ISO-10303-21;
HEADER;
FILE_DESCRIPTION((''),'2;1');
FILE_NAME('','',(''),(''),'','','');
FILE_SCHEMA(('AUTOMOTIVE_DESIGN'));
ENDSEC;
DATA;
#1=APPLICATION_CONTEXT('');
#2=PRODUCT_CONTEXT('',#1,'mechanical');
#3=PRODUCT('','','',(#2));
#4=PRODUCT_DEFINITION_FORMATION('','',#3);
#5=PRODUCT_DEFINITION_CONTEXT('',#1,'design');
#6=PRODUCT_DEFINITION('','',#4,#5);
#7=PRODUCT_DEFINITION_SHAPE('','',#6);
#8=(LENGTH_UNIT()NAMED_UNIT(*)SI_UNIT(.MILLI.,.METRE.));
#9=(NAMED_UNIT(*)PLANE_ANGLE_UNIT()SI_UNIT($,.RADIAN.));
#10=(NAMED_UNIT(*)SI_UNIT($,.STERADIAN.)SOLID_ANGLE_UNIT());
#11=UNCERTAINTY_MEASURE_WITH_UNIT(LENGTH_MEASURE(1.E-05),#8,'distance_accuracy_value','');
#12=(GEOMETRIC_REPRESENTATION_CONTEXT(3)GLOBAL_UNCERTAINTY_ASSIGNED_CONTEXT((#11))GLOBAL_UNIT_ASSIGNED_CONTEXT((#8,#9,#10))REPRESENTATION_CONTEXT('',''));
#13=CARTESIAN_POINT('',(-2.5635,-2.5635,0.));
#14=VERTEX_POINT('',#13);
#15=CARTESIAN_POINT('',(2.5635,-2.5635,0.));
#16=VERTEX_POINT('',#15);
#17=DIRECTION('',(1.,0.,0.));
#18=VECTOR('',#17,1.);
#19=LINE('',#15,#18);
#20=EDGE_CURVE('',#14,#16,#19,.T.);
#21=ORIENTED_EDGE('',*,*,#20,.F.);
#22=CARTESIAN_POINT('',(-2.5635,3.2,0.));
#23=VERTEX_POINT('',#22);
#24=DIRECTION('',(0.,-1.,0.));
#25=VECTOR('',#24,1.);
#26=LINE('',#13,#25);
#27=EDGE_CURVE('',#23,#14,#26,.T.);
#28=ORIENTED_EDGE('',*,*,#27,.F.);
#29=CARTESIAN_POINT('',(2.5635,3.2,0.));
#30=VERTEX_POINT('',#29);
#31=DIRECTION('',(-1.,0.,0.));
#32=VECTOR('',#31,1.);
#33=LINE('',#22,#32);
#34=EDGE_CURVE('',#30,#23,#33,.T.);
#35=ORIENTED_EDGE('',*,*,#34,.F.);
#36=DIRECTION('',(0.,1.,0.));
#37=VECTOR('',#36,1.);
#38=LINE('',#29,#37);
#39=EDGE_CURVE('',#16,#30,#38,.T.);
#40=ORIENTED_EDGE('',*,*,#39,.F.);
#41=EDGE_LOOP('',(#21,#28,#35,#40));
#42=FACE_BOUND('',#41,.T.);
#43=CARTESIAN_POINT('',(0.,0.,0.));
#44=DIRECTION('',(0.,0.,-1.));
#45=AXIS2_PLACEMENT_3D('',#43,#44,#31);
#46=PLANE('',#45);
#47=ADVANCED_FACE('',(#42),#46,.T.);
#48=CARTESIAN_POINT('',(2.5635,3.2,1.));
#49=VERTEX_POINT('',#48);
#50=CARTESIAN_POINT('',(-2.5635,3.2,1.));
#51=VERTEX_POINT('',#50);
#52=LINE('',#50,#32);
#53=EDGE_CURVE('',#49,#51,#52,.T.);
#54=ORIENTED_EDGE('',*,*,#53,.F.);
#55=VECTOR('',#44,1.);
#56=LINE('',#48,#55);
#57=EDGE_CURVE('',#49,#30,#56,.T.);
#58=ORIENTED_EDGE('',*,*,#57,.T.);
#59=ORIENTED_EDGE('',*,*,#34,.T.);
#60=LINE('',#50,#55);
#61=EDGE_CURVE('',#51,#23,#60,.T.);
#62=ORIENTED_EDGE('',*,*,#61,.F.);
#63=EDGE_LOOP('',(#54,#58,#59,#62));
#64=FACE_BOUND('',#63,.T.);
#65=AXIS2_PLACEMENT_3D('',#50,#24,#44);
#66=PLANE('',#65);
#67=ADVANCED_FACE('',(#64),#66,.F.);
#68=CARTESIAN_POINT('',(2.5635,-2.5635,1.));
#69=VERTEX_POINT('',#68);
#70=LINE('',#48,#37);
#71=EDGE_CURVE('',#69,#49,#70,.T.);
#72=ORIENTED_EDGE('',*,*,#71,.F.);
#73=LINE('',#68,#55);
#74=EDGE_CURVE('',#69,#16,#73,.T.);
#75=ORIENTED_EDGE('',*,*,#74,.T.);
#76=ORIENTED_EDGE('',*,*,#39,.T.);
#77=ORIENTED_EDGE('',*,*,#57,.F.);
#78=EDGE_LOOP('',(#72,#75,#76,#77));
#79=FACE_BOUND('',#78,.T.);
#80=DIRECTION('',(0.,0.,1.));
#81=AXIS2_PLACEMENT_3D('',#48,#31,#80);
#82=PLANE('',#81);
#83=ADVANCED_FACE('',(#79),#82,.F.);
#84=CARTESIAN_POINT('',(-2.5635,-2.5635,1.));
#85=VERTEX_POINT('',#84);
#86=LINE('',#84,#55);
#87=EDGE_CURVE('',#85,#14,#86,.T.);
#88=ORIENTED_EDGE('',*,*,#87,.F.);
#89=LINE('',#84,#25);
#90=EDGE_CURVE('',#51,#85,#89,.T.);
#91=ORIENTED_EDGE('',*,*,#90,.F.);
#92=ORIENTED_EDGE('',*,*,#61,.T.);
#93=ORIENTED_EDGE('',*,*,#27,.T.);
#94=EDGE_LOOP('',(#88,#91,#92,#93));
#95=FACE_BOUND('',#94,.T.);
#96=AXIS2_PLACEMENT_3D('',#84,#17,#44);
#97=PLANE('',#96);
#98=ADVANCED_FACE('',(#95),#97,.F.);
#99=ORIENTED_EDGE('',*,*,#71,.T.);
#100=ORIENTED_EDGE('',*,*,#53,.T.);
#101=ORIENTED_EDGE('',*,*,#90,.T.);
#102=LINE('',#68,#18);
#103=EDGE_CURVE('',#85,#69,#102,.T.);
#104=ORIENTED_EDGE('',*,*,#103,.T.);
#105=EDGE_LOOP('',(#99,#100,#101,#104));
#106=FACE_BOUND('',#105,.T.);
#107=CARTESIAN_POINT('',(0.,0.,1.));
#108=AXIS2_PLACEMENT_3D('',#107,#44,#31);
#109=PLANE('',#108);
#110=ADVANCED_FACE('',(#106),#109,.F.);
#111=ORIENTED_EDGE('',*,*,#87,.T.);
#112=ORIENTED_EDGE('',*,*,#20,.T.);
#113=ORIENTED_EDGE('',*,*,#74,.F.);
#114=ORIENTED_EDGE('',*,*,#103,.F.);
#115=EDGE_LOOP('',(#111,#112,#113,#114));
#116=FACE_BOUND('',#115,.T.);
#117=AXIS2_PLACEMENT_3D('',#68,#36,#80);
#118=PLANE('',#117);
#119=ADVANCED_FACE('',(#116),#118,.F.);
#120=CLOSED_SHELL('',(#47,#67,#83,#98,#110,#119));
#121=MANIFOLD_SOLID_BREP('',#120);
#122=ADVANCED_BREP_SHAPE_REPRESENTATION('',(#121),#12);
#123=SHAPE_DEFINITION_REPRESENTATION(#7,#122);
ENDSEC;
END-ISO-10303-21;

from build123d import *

# Parameters (mm, degrees)
SKIZZE1_W               = 5.127
SKIZZE1_H               = 5.7635
COMPONENT_OUTLINE_DEPTH = 1


with BuildPart() as part:
    # Skizze1 → Component_Outline (new body)
    with BuildSketch(Plane.XY):
        with Locations((0, 0.31825)):
            Rectangle(SKIZZE1_W, SKIZZE1_H)
    extrude(amount=COMPONENT_OUTLINE_DEPTH)


solid = part.part
